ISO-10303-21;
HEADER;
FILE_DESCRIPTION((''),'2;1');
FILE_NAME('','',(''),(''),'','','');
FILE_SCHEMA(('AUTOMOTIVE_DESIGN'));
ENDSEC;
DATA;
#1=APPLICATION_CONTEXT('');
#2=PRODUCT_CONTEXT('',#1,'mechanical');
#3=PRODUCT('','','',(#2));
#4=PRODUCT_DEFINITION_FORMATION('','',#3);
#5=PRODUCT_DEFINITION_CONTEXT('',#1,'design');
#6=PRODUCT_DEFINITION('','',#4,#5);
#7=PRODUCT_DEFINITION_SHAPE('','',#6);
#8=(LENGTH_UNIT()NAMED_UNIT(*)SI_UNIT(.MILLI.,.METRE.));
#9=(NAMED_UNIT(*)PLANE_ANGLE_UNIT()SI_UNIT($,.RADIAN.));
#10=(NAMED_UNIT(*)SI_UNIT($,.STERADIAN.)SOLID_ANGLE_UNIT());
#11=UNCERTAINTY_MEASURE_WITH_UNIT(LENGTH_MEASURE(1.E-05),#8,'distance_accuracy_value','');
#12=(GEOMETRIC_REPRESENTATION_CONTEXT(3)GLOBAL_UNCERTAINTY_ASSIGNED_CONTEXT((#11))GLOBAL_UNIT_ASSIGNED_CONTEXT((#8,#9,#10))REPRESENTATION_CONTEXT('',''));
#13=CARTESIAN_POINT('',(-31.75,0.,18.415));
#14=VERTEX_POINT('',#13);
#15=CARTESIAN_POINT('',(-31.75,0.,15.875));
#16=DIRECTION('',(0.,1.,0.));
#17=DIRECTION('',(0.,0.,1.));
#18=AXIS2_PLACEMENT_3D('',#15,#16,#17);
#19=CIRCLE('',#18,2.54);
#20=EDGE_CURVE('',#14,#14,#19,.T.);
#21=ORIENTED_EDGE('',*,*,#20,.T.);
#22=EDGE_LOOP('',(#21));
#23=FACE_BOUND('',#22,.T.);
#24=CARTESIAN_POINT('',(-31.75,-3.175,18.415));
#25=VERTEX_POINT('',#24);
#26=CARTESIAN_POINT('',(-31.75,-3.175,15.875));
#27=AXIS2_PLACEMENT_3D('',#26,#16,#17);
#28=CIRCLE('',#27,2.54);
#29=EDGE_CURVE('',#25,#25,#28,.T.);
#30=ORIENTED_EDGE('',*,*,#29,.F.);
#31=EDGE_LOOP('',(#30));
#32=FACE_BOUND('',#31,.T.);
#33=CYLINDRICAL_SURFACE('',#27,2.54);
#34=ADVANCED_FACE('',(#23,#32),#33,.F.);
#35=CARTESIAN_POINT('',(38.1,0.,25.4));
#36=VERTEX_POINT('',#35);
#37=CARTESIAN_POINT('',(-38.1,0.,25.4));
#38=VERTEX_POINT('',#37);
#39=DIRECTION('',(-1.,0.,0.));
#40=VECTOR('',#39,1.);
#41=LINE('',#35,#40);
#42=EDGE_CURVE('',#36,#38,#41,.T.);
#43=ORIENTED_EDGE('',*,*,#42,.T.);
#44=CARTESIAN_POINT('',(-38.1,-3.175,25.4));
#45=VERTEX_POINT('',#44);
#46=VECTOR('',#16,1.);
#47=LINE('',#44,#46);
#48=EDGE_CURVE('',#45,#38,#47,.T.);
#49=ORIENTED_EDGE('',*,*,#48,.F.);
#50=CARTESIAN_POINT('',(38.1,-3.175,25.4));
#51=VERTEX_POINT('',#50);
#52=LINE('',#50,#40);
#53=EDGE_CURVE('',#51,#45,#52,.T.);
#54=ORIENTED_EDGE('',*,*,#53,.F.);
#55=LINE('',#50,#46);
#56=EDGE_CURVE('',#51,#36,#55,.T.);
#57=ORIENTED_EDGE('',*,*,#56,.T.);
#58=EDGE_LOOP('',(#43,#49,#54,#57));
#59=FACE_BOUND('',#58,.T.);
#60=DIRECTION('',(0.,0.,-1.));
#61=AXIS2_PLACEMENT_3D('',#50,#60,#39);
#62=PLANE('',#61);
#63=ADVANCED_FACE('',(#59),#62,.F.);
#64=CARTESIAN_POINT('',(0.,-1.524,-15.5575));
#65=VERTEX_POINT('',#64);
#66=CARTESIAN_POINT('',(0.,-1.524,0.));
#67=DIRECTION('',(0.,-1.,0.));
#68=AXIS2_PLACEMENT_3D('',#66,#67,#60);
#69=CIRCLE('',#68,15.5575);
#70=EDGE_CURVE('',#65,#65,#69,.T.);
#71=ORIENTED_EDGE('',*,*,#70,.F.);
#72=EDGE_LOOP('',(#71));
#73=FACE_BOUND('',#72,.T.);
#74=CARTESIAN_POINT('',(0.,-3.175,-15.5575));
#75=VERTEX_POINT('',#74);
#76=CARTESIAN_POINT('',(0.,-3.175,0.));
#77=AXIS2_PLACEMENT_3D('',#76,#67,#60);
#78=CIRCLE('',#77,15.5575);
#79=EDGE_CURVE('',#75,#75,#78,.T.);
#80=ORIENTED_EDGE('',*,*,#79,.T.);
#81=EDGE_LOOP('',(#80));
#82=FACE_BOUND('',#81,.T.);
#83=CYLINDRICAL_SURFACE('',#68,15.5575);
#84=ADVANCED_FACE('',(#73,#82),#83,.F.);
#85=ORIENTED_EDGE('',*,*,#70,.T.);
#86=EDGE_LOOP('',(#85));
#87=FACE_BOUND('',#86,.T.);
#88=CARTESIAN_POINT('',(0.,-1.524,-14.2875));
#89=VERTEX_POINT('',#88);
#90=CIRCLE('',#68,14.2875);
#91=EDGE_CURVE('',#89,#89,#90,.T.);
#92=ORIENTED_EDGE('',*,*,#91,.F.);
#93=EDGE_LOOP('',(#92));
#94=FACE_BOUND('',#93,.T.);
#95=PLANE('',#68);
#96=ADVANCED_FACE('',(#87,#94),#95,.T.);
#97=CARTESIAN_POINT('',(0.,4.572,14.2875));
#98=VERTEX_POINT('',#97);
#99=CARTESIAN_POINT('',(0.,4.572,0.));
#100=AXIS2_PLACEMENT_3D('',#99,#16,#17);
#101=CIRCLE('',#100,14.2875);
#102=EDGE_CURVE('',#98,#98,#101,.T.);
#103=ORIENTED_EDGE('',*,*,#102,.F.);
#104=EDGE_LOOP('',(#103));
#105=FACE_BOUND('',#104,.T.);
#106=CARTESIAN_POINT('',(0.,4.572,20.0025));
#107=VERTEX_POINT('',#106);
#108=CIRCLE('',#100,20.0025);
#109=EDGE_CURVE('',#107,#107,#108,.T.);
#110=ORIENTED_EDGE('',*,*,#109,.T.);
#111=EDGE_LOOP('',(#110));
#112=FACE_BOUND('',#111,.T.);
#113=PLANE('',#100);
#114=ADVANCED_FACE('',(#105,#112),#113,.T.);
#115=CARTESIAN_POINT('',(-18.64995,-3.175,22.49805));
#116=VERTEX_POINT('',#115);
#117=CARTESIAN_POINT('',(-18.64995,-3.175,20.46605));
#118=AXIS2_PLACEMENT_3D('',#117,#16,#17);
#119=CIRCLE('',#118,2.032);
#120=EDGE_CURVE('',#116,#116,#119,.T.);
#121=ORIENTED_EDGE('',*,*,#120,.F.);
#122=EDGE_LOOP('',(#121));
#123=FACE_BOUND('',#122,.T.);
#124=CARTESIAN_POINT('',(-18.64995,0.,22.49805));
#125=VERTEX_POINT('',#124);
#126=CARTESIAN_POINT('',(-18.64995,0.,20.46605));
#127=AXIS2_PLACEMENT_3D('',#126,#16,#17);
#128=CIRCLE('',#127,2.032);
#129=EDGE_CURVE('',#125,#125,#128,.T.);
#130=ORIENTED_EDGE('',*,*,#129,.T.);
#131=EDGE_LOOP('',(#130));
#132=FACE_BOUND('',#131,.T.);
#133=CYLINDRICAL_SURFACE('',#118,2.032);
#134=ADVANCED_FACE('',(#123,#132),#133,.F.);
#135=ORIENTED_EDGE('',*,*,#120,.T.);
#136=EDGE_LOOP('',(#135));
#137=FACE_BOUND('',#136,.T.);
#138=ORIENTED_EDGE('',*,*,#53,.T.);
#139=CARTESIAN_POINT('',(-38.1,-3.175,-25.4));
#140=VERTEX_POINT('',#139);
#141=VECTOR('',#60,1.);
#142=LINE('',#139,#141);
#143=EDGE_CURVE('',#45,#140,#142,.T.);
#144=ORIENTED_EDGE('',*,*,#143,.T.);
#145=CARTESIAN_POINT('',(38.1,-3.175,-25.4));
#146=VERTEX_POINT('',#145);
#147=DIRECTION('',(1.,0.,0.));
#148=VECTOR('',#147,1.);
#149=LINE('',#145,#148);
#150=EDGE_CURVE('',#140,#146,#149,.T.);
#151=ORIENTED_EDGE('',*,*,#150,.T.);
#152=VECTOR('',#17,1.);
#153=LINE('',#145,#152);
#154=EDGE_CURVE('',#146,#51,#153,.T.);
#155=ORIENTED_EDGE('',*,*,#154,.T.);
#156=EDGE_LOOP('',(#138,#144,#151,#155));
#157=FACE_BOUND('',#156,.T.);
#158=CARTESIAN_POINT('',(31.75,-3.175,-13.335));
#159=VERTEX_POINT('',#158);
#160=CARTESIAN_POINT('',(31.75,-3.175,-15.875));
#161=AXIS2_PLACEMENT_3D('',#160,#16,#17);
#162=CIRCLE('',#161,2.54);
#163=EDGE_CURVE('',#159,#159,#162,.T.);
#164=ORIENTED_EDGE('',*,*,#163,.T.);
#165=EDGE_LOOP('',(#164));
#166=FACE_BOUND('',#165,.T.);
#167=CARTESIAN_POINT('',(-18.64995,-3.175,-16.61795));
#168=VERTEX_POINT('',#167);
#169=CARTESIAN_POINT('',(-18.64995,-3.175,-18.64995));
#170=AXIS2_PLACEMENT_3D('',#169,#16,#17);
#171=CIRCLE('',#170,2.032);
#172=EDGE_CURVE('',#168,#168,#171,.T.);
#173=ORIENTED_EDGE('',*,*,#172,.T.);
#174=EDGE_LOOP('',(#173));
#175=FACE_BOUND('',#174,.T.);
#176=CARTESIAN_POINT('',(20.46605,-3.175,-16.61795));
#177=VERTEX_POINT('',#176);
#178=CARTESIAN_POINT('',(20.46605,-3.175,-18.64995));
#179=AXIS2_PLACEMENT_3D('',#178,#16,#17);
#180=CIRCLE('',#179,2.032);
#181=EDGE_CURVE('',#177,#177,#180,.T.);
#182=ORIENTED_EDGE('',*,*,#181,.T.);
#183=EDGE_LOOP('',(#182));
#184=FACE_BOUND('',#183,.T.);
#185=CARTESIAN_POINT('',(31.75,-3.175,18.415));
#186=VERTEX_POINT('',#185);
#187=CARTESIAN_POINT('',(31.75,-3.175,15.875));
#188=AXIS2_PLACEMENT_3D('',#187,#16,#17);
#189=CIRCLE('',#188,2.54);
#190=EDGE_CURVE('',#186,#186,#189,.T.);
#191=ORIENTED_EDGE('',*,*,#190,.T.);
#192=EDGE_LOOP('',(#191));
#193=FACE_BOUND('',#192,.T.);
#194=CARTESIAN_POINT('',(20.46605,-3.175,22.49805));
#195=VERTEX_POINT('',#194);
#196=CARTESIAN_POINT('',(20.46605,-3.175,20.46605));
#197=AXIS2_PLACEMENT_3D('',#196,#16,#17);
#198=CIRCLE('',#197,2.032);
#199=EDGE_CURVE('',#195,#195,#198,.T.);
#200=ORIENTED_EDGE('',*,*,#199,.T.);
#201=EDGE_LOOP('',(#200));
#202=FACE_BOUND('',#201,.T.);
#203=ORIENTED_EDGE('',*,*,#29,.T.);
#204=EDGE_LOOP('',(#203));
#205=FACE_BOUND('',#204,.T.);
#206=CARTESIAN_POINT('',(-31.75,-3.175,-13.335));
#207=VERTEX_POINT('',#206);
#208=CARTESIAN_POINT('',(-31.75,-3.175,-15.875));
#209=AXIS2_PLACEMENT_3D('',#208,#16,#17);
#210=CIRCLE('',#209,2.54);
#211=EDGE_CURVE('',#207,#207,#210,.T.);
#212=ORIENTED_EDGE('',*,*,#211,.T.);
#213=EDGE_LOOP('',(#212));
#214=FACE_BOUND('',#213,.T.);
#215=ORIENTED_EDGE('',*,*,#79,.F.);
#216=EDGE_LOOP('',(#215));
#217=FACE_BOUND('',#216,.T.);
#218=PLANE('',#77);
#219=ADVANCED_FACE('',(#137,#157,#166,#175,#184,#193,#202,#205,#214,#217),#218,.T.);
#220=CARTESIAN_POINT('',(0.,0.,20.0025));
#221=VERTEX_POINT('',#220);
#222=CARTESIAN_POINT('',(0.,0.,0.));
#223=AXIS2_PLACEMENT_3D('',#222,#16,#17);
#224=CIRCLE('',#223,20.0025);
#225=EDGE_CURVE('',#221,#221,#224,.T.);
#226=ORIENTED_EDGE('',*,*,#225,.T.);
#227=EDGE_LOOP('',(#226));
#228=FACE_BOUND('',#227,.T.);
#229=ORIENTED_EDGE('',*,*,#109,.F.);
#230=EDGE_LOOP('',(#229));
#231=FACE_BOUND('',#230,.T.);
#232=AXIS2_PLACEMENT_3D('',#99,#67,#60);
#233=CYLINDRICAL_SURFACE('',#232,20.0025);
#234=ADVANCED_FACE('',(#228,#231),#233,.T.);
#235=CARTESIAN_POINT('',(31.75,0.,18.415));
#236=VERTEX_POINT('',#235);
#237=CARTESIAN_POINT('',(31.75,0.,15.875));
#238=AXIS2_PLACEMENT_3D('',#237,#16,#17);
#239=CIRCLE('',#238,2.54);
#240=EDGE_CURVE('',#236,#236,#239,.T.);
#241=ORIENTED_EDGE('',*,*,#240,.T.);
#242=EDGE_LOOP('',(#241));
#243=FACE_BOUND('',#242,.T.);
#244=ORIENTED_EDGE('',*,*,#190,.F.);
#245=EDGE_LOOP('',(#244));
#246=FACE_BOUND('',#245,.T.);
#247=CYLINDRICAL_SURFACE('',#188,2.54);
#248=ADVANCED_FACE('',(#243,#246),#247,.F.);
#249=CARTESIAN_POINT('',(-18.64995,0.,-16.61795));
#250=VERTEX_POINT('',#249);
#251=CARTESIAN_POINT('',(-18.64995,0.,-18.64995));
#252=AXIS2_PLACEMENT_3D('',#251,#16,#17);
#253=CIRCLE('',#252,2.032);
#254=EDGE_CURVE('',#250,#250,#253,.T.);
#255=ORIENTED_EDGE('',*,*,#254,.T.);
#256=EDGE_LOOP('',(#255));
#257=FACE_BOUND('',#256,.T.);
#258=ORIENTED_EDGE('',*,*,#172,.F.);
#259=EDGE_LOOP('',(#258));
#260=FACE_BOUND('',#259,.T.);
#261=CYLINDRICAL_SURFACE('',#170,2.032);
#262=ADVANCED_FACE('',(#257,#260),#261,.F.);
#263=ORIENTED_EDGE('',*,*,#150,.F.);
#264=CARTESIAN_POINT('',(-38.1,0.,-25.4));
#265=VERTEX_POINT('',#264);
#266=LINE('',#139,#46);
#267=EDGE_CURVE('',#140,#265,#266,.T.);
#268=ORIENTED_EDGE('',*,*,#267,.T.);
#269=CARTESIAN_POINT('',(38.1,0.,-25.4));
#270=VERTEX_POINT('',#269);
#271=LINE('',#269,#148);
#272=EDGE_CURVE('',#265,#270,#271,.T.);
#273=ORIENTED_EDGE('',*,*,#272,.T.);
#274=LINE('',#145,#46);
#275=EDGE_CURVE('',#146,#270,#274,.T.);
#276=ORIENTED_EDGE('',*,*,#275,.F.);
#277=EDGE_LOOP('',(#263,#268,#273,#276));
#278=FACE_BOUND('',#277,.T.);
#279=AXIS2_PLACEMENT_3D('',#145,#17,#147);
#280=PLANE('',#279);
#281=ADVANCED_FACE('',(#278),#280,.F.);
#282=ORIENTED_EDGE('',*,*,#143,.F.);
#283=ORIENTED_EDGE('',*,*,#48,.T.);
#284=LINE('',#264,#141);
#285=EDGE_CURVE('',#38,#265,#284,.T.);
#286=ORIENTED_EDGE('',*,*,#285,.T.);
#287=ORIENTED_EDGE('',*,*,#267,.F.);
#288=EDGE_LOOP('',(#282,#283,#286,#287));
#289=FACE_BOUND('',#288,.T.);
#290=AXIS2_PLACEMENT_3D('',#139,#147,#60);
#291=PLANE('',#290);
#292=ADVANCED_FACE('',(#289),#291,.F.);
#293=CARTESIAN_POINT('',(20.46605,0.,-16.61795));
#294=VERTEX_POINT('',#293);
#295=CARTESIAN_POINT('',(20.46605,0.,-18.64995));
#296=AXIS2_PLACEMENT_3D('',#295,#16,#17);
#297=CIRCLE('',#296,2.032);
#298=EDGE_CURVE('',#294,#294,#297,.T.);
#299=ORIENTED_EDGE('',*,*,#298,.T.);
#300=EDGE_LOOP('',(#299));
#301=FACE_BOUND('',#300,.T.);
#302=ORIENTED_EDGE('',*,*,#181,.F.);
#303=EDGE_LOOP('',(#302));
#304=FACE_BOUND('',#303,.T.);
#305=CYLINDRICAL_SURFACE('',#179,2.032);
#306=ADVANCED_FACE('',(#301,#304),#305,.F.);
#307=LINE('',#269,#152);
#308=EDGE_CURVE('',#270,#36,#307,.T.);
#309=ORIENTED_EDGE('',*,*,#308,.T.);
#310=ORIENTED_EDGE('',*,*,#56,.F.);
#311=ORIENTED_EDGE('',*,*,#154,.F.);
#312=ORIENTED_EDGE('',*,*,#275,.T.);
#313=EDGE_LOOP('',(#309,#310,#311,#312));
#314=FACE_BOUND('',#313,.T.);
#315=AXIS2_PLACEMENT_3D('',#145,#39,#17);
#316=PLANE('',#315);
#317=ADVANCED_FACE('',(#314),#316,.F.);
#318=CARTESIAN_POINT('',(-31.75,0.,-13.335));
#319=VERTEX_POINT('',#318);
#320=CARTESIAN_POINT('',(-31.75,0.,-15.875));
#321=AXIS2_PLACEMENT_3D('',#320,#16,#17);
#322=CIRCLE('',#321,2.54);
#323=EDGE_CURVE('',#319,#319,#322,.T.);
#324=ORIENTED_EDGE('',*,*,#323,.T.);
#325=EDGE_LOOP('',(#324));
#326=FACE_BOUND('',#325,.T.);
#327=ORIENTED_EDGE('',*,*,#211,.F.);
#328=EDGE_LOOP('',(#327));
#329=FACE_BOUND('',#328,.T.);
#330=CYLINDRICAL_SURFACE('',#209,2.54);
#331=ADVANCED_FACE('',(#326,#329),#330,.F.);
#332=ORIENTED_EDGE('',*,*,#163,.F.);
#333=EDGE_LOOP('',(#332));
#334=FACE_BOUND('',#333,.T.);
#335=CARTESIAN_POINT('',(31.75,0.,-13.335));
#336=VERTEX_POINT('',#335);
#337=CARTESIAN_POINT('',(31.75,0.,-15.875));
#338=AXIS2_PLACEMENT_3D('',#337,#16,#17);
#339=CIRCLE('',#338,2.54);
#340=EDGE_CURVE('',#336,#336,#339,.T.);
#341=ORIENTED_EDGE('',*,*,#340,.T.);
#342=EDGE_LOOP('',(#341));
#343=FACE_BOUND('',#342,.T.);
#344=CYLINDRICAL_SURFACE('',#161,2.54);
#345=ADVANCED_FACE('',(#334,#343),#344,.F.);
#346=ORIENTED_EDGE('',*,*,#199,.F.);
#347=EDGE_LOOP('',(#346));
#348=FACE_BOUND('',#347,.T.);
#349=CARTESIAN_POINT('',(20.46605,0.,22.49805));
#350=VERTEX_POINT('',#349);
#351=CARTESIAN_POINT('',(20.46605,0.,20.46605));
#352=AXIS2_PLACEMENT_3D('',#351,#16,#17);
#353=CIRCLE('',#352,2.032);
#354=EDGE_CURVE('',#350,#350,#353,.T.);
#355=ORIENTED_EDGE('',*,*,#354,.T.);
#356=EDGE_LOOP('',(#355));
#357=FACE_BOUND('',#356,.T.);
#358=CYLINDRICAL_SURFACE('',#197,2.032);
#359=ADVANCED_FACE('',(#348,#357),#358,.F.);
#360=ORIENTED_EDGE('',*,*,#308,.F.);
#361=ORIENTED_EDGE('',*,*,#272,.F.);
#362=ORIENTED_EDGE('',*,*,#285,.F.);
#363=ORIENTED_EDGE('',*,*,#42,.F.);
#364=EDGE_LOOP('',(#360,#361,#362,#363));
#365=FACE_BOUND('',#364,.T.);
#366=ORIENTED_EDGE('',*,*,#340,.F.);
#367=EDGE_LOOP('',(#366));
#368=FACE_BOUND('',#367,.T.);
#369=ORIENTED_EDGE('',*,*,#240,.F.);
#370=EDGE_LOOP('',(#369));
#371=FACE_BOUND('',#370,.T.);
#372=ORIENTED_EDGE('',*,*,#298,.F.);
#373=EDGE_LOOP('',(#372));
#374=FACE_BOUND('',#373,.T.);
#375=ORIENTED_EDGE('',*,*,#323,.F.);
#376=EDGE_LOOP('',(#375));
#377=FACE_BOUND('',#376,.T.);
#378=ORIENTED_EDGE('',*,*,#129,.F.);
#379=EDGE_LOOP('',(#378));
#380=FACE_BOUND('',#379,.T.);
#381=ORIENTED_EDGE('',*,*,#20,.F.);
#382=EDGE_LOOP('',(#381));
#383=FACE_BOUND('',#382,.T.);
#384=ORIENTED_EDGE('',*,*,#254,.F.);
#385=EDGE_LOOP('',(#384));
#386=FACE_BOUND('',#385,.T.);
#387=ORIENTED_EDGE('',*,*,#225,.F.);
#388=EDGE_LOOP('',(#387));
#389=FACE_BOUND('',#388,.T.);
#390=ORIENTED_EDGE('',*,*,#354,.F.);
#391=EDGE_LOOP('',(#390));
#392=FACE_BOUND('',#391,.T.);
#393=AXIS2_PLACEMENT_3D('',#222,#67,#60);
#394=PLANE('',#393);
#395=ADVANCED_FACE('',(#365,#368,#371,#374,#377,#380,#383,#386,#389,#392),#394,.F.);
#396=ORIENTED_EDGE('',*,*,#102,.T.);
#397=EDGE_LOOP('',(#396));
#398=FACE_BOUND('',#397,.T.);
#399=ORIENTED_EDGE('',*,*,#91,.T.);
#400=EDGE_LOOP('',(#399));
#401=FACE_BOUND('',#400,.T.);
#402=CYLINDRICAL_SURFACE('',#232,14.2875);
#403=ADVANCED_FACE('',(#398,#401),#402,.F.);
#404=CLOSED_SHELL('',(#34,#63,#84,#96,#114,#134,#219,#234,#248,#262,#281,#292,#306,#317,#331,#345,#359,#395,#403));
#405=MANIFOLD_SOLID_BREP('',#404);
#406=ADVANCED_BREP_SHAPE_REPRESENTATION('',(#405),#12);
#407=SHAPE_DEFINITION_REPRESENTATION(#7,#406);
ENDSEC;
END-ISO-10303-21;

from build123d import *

# Parameters (mm, degrees)
SKETCH1_R           = 20.0025
SKETCH1_R_2         = 14.2875
BOSS_EXTRUDE1_DEPTH = 4.572
SKETCH2_W           = 76.2
SKETCH2_H           = 50.8
SKETCH2_R           = 14.2875
BOSS_EXTRUDE2_DEPTH = 3.175
SKETCH3_R           = 15.5575
CUT_EXTRUDE1_DEPTH  = 1.651
SKETCH5_R           = 2.032
SKETCH5_R_2         = 2.54
CUT_EXTRUDE2_DEPTH  = 4.175


with BuildPart() as part:
    # Sketch1 → Boss-Extrude1 (new body)
    with BuildSketch(Plane(origin=(0, 0, 0), x_dir=(1, 0, 0), z_dir=(0, 1, 0))):
        Circle(SKETCH1_R)
        Circle(SKETCH1_R_2, mode=Mode.SUBTRACT)
    extrude(amount=BOSS_EXTRUDE1_DEPTH)

    # Sketch2 → Boss-Extrude2 (add)
    with BuildSketch(Plane.XZ):
        Rectangle(SKETCH2_W, SKETCH2_H)
        Circle(SKETCH2_R, mode=Mode.SUBTRACT)
    extrude(amount=BOSS_EXTRUDE2_DEPTH)

    # Sketch3 → Cut-Extrude1 (cut)
    with BuildSketch(Plane.XZ.offset(3.175)):
        Circle(SKETCH3_R)
    extrude(amount=-CUT_EXTRUDE1_DEPTH, mode=Mode.SUBTRACT)

    # Sketch5 → Cut-Extrude2 (cut, through all)
    with BuildSketch(Plane(origin=(0, 0, 0), x_dir=(1, 0, 0), z_dir=(0, 1, 0))):
        with Locations((-18.64995, 18.64995)):
            Circle(SKETCH5_R)
        with Locations((20.46605, 18.64995)):
            Circle(SKETCH5_R)
        with Locations((-18.64995, -20.46605)):
            Circle(SKETCH5_R)
        with Locations((20.46605, -20.46605)):
            Circle(SKETCH5_R)
        with Locations((-31.75, 15.875)):
            Circle(SKETCH5_R_2)
        with Locations((31.75, 15.875)):
            Circle(SKETCH5_R_2)
        with Locations((31.75, -15.875)):
            Circle(SKETCH5_R_2)
        with Locations((-31.75, -15.875)):
            Circle(SKETCH5_R_2)
    extrude(amount=-CUT_EXTRUDE2_DEPTH, mode=Mode.SUBTRACT)


solid = part.part
